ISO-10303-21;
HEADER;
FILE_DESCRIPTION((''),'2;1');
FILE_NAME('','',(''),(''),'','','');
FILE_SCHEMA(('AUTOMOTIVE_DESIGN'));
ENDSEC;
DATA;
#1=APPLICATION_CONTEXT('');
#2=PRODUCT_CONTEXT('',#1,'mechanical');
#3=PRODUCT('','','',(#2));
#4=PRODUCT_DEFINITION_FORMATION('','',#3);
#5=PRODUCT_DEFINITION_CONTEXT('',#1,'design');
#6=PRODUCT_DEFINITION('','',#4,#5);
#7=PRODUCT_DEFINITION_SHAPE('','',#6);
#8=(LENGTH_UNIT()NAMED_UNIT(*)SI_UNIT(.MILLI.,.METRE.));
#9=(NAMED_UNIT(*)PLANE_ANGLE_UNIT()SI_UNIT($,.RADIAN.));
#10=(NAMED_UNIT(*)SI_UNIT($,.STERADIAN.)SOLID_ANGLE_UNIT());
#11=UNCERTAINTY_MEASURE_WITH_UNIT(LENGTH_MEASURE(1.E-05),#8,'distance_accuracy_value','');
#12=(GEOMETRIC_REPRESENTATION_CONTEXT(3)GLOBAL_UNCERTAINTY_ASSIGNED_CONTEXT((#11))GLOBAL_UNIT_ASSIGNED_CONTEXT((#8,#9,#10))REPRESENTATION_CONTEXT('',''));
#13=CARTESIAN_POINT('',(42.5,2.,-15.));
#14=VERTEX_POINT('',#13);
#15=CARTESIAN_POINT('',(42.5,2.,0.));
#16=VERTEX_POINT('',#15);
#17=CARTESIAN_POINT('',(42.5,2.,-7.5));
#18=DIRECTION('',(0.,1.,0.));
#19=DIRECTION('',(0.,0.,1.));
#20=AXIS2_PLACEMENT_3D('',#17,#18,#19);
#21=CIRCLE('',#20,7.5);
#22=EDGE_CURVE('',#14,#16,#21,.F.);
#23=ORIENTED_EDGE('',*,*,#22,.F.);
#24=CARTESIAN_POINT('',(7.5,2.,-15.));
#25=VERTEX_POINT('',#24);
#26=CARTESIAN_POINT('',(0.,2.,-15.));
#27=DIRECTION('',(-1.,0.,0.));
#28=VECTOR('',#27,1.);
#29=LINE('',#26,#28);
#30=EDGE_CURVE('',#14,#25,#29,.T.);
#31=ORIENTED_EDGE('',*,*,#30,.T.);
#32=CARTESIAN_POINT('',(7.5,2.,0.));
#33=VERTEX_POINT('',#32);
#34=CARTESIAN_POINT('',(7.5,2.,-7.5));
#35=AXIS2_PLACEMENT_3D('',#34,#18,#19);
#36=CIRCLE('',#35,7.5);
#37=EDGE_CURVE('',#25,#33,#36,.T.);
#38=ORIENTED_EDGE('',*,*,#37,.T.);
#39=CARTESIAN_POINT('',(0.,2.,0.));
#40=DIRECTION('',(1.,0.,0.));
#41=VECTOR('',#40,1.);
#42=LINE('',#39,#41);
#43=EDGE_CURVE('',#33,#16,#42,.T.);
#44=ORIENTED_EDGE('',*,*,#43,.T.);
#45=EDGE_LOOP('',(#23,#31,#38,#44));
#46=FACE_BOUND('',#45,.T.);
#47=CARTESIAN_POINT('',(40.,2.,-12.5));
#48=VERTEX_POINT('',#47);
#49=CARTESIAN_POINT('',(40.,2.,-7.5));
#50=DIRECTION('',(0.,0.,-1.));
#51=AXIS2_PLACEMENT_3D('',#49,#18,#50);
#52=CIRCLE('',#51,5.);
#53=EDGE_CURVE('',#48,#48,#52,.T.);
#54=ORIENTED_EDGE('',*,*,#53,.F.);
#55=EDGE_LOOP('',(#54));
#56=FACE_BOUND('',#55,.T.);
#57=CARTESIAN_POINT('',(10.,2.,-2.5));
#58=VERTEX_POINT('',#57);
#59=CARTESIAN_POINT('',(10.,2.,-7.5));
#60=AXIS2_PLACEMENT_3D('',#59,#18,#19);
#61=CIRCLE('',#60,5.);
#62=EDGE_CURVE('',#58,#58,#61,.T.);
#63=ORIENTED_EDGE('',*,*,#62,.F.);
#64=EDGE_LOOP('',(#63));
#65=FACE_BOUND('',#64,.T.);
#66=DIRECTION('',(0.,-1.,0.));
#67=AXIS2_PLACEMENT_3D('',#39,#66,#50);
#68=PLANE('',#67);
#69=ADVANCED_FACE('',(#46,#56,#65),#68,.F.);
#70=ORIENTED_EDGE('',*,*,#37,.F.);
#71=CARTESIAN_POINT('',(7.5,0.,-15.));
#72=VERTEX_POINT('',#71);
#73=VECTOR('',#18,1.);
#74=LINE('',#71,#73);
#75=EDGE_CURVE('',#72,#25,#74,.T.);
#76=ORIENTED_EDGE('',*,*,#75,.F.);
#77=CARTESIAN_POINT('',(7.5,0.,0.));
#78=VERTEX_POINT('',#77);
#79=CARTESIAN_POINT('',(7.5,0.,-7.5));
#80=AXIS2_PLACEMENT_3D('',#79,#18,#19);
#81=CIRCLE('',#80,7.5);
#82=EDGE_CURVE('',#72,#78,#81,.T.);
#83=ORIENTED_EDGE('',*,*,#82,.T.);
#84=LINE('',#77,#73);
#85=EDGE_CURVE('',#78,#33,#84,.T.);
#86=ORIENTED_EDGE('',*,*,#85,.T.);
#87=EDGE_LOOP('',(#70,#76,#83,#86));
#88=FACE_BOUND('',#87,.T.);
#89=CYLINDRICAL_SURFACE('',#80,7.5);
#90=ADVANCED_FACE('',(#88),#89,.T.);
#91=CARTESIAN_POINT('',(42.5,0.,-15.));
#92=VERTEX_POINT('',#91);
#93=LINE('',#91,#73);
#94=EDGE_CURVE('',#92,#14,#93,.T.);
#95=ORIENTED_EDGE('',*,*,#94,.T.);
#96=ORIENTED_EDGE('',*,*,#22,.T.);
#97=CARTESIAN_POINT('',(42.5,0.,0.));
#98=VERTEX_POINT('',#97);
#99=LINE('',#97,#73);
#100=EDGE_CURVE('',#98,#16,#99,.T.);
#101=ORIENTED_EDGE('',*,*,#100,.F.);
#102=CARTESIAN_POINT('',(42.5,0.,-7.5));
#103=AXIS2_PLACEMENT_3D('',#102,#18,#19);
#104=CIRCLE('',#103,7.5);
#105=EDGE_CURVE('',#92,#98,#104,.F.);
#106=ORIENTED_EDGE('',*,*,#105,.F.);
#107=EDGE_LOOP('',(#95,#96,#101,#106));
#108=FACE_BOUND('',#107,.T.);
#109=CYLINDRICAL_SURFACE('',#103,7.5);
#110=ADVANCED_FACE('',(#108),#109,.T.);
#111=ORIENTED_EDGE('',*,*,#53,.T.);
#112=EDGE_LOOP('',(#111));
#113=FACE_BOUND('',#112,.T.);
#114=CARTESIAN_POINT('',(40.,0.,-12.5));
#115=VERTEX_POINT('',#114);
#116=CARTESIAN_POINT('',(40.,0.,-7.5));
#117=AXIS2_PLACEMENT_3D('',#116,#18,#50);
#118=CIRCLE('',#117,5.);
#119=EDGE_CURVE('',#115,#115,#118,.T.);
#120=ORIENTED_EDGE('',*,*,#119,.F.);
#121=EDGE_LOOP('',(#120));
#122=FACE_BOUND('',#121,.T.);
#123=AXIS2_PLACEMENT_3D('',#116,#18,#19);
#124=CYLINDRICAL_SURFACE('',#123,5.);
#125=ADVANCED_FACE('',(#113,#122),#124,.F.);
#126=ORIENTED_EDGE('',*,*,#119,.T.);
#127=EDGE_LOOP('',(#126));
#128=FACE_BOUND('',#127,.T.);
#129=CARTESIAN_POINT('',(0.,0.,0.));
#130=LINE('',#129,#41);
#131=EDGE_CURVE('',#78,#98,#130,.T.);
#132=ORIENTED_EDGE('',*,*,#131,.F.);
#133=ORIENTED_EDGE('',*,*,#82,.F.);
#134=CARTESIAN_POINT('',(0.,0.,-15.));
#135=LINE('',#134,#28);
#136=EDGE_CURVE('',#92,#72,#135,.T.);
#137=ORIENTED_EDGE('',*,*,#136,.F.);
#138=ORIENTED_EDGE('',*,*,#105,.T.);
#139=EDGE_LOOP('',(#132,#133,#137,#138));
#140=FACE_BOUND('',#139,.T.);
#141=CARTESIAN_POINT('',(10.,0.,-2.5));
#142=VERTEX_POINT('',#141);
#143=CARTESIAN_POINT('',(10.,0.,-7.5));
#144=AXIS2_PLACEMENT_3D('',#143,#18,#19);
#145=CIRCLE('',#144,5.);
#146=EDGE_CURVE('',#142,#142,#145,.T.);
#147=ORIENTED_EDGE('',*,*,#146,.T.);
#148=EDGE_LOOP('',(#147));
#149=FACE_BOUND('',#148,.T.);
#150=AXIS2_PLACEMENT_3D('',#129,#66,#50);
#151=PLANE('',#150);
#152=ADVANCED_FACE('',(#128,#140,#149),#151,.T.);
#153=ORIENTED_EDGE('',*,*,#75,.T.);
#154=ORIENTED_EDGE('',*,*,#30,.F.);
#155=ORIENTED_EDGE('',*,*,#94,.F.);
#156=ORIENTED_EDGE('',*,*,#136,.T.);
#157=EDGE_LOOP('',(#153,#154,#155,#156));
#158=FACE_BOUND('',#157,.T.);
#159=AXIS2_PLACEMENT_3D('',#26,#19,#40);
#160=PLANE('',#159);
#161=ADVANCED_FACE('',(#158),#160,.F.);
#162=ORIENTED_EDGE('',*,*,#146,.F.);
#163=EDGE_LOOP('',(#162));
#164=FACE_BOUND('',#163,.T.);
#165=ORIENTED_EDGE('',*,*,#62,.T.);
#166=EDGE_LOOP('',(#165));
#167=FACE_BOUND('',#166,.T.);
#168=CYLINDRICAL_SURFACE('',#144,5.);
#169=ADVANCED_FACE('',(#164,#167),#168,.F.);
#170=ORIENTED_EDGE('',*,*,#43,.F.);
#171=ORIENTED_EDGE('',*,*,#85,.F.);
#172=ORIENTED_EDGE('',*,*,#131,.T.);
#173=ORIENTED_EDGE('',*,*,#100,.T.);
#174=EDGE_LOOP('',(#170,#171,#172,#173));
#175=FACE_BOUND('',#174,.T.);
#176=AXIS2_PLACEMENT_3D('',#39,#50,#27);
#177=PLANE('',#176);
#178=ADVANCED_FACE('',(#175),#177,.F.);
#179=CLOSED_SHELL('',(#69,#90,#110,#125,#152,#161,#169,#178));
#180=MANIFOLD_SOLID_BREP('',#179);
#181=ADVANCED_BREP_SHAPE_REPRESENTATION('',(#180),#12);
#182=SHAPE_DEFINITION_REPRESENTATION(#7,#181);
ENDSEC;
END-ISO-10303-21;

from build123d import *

# Parameters (mm, degrees)
SKETCH1_W           = 50
SKETCH1_H           = 15
BOSS_EXTRUDE1_DEPTH = 2
SKETCH2_R           = 5
CUT_EXTRUDE1_DEPTH  = 2
CUT_EXTRUDE2_DEPTH  = 2


with BuildPart() as part:
    # Sketch1 → Boss-Extrude1 (new body)
    with BuildSketch(Plane(origin=(0, 0, 0), x_dir=(1, 0, 0), z_dir=(0, 1, 0))):
        with Locations((25, 7.5)):
            Rectangle(SKETCH1_W, SKETCH1_H)
    extrude(amount=BOSS_EXTRUDE1_DEPTH)

    # Sketch2 → Cut-Extrude1 (cut)
    with BuildSketch(Plane(origin=(0, 2, 0), x_dir=(1, 0, 0), z_dir=(0, 1, 0))):
        with Locations(Location((10, 7.5, 0), (0, 0, 270))):
            Circle(SKETCH2_R)
        with Locations(Location((40, 7.5, 0), (0, 0, 90))):
            Circle(SKETCH2_R)
    extrude(amount=-CUT_EXTRUDE1_DEPTH, mode=Mode.SUBTRACT)

    # Sketch5 → Cut-Extrude2 (cut)
    with BuildSketch(Plane(origin=(0, 2, 0), x_dir=(1, 0, 0), z_dir=(0, 1, 0))):
        with BuildLine():
            ThreePointArc((0, 7.5), (2.196699141, 12.803300859), (7.5, 15))
            Line((7.5, 15), (0, 15))
            Line((0, 15), (0, 7.5))
        make_face()
        with BuildLine():
            ThreePointArc((7.5, 0), (2.196699141, 2.196699141), (0, 7.5))
            Line((0, 7.5), (0, 0))
            Line((0, 0), (7.5, 0))
        make_face()
        with BuildLine():
            Line((50, 15), (42.5, 15))
            ThreePointArc((42.5, 15), (47.803300859, 12.803300859), (50, 7.5))
            Line((50, 7.5), (50, 15))
        make_face()
        with BuildLine():
            Line((50, 0), (50, 7.5))
            ThreePointArc((50, 7.5), (47.803300859, 2.196699141), (42.5, 0))
            Line((42.5, 0), (50, 0))
        make_face()
    extrude(amount=-CUT_EXTRUDE2_DEPTH, mode=Mode.SUBTRACT)


solid = part.part
